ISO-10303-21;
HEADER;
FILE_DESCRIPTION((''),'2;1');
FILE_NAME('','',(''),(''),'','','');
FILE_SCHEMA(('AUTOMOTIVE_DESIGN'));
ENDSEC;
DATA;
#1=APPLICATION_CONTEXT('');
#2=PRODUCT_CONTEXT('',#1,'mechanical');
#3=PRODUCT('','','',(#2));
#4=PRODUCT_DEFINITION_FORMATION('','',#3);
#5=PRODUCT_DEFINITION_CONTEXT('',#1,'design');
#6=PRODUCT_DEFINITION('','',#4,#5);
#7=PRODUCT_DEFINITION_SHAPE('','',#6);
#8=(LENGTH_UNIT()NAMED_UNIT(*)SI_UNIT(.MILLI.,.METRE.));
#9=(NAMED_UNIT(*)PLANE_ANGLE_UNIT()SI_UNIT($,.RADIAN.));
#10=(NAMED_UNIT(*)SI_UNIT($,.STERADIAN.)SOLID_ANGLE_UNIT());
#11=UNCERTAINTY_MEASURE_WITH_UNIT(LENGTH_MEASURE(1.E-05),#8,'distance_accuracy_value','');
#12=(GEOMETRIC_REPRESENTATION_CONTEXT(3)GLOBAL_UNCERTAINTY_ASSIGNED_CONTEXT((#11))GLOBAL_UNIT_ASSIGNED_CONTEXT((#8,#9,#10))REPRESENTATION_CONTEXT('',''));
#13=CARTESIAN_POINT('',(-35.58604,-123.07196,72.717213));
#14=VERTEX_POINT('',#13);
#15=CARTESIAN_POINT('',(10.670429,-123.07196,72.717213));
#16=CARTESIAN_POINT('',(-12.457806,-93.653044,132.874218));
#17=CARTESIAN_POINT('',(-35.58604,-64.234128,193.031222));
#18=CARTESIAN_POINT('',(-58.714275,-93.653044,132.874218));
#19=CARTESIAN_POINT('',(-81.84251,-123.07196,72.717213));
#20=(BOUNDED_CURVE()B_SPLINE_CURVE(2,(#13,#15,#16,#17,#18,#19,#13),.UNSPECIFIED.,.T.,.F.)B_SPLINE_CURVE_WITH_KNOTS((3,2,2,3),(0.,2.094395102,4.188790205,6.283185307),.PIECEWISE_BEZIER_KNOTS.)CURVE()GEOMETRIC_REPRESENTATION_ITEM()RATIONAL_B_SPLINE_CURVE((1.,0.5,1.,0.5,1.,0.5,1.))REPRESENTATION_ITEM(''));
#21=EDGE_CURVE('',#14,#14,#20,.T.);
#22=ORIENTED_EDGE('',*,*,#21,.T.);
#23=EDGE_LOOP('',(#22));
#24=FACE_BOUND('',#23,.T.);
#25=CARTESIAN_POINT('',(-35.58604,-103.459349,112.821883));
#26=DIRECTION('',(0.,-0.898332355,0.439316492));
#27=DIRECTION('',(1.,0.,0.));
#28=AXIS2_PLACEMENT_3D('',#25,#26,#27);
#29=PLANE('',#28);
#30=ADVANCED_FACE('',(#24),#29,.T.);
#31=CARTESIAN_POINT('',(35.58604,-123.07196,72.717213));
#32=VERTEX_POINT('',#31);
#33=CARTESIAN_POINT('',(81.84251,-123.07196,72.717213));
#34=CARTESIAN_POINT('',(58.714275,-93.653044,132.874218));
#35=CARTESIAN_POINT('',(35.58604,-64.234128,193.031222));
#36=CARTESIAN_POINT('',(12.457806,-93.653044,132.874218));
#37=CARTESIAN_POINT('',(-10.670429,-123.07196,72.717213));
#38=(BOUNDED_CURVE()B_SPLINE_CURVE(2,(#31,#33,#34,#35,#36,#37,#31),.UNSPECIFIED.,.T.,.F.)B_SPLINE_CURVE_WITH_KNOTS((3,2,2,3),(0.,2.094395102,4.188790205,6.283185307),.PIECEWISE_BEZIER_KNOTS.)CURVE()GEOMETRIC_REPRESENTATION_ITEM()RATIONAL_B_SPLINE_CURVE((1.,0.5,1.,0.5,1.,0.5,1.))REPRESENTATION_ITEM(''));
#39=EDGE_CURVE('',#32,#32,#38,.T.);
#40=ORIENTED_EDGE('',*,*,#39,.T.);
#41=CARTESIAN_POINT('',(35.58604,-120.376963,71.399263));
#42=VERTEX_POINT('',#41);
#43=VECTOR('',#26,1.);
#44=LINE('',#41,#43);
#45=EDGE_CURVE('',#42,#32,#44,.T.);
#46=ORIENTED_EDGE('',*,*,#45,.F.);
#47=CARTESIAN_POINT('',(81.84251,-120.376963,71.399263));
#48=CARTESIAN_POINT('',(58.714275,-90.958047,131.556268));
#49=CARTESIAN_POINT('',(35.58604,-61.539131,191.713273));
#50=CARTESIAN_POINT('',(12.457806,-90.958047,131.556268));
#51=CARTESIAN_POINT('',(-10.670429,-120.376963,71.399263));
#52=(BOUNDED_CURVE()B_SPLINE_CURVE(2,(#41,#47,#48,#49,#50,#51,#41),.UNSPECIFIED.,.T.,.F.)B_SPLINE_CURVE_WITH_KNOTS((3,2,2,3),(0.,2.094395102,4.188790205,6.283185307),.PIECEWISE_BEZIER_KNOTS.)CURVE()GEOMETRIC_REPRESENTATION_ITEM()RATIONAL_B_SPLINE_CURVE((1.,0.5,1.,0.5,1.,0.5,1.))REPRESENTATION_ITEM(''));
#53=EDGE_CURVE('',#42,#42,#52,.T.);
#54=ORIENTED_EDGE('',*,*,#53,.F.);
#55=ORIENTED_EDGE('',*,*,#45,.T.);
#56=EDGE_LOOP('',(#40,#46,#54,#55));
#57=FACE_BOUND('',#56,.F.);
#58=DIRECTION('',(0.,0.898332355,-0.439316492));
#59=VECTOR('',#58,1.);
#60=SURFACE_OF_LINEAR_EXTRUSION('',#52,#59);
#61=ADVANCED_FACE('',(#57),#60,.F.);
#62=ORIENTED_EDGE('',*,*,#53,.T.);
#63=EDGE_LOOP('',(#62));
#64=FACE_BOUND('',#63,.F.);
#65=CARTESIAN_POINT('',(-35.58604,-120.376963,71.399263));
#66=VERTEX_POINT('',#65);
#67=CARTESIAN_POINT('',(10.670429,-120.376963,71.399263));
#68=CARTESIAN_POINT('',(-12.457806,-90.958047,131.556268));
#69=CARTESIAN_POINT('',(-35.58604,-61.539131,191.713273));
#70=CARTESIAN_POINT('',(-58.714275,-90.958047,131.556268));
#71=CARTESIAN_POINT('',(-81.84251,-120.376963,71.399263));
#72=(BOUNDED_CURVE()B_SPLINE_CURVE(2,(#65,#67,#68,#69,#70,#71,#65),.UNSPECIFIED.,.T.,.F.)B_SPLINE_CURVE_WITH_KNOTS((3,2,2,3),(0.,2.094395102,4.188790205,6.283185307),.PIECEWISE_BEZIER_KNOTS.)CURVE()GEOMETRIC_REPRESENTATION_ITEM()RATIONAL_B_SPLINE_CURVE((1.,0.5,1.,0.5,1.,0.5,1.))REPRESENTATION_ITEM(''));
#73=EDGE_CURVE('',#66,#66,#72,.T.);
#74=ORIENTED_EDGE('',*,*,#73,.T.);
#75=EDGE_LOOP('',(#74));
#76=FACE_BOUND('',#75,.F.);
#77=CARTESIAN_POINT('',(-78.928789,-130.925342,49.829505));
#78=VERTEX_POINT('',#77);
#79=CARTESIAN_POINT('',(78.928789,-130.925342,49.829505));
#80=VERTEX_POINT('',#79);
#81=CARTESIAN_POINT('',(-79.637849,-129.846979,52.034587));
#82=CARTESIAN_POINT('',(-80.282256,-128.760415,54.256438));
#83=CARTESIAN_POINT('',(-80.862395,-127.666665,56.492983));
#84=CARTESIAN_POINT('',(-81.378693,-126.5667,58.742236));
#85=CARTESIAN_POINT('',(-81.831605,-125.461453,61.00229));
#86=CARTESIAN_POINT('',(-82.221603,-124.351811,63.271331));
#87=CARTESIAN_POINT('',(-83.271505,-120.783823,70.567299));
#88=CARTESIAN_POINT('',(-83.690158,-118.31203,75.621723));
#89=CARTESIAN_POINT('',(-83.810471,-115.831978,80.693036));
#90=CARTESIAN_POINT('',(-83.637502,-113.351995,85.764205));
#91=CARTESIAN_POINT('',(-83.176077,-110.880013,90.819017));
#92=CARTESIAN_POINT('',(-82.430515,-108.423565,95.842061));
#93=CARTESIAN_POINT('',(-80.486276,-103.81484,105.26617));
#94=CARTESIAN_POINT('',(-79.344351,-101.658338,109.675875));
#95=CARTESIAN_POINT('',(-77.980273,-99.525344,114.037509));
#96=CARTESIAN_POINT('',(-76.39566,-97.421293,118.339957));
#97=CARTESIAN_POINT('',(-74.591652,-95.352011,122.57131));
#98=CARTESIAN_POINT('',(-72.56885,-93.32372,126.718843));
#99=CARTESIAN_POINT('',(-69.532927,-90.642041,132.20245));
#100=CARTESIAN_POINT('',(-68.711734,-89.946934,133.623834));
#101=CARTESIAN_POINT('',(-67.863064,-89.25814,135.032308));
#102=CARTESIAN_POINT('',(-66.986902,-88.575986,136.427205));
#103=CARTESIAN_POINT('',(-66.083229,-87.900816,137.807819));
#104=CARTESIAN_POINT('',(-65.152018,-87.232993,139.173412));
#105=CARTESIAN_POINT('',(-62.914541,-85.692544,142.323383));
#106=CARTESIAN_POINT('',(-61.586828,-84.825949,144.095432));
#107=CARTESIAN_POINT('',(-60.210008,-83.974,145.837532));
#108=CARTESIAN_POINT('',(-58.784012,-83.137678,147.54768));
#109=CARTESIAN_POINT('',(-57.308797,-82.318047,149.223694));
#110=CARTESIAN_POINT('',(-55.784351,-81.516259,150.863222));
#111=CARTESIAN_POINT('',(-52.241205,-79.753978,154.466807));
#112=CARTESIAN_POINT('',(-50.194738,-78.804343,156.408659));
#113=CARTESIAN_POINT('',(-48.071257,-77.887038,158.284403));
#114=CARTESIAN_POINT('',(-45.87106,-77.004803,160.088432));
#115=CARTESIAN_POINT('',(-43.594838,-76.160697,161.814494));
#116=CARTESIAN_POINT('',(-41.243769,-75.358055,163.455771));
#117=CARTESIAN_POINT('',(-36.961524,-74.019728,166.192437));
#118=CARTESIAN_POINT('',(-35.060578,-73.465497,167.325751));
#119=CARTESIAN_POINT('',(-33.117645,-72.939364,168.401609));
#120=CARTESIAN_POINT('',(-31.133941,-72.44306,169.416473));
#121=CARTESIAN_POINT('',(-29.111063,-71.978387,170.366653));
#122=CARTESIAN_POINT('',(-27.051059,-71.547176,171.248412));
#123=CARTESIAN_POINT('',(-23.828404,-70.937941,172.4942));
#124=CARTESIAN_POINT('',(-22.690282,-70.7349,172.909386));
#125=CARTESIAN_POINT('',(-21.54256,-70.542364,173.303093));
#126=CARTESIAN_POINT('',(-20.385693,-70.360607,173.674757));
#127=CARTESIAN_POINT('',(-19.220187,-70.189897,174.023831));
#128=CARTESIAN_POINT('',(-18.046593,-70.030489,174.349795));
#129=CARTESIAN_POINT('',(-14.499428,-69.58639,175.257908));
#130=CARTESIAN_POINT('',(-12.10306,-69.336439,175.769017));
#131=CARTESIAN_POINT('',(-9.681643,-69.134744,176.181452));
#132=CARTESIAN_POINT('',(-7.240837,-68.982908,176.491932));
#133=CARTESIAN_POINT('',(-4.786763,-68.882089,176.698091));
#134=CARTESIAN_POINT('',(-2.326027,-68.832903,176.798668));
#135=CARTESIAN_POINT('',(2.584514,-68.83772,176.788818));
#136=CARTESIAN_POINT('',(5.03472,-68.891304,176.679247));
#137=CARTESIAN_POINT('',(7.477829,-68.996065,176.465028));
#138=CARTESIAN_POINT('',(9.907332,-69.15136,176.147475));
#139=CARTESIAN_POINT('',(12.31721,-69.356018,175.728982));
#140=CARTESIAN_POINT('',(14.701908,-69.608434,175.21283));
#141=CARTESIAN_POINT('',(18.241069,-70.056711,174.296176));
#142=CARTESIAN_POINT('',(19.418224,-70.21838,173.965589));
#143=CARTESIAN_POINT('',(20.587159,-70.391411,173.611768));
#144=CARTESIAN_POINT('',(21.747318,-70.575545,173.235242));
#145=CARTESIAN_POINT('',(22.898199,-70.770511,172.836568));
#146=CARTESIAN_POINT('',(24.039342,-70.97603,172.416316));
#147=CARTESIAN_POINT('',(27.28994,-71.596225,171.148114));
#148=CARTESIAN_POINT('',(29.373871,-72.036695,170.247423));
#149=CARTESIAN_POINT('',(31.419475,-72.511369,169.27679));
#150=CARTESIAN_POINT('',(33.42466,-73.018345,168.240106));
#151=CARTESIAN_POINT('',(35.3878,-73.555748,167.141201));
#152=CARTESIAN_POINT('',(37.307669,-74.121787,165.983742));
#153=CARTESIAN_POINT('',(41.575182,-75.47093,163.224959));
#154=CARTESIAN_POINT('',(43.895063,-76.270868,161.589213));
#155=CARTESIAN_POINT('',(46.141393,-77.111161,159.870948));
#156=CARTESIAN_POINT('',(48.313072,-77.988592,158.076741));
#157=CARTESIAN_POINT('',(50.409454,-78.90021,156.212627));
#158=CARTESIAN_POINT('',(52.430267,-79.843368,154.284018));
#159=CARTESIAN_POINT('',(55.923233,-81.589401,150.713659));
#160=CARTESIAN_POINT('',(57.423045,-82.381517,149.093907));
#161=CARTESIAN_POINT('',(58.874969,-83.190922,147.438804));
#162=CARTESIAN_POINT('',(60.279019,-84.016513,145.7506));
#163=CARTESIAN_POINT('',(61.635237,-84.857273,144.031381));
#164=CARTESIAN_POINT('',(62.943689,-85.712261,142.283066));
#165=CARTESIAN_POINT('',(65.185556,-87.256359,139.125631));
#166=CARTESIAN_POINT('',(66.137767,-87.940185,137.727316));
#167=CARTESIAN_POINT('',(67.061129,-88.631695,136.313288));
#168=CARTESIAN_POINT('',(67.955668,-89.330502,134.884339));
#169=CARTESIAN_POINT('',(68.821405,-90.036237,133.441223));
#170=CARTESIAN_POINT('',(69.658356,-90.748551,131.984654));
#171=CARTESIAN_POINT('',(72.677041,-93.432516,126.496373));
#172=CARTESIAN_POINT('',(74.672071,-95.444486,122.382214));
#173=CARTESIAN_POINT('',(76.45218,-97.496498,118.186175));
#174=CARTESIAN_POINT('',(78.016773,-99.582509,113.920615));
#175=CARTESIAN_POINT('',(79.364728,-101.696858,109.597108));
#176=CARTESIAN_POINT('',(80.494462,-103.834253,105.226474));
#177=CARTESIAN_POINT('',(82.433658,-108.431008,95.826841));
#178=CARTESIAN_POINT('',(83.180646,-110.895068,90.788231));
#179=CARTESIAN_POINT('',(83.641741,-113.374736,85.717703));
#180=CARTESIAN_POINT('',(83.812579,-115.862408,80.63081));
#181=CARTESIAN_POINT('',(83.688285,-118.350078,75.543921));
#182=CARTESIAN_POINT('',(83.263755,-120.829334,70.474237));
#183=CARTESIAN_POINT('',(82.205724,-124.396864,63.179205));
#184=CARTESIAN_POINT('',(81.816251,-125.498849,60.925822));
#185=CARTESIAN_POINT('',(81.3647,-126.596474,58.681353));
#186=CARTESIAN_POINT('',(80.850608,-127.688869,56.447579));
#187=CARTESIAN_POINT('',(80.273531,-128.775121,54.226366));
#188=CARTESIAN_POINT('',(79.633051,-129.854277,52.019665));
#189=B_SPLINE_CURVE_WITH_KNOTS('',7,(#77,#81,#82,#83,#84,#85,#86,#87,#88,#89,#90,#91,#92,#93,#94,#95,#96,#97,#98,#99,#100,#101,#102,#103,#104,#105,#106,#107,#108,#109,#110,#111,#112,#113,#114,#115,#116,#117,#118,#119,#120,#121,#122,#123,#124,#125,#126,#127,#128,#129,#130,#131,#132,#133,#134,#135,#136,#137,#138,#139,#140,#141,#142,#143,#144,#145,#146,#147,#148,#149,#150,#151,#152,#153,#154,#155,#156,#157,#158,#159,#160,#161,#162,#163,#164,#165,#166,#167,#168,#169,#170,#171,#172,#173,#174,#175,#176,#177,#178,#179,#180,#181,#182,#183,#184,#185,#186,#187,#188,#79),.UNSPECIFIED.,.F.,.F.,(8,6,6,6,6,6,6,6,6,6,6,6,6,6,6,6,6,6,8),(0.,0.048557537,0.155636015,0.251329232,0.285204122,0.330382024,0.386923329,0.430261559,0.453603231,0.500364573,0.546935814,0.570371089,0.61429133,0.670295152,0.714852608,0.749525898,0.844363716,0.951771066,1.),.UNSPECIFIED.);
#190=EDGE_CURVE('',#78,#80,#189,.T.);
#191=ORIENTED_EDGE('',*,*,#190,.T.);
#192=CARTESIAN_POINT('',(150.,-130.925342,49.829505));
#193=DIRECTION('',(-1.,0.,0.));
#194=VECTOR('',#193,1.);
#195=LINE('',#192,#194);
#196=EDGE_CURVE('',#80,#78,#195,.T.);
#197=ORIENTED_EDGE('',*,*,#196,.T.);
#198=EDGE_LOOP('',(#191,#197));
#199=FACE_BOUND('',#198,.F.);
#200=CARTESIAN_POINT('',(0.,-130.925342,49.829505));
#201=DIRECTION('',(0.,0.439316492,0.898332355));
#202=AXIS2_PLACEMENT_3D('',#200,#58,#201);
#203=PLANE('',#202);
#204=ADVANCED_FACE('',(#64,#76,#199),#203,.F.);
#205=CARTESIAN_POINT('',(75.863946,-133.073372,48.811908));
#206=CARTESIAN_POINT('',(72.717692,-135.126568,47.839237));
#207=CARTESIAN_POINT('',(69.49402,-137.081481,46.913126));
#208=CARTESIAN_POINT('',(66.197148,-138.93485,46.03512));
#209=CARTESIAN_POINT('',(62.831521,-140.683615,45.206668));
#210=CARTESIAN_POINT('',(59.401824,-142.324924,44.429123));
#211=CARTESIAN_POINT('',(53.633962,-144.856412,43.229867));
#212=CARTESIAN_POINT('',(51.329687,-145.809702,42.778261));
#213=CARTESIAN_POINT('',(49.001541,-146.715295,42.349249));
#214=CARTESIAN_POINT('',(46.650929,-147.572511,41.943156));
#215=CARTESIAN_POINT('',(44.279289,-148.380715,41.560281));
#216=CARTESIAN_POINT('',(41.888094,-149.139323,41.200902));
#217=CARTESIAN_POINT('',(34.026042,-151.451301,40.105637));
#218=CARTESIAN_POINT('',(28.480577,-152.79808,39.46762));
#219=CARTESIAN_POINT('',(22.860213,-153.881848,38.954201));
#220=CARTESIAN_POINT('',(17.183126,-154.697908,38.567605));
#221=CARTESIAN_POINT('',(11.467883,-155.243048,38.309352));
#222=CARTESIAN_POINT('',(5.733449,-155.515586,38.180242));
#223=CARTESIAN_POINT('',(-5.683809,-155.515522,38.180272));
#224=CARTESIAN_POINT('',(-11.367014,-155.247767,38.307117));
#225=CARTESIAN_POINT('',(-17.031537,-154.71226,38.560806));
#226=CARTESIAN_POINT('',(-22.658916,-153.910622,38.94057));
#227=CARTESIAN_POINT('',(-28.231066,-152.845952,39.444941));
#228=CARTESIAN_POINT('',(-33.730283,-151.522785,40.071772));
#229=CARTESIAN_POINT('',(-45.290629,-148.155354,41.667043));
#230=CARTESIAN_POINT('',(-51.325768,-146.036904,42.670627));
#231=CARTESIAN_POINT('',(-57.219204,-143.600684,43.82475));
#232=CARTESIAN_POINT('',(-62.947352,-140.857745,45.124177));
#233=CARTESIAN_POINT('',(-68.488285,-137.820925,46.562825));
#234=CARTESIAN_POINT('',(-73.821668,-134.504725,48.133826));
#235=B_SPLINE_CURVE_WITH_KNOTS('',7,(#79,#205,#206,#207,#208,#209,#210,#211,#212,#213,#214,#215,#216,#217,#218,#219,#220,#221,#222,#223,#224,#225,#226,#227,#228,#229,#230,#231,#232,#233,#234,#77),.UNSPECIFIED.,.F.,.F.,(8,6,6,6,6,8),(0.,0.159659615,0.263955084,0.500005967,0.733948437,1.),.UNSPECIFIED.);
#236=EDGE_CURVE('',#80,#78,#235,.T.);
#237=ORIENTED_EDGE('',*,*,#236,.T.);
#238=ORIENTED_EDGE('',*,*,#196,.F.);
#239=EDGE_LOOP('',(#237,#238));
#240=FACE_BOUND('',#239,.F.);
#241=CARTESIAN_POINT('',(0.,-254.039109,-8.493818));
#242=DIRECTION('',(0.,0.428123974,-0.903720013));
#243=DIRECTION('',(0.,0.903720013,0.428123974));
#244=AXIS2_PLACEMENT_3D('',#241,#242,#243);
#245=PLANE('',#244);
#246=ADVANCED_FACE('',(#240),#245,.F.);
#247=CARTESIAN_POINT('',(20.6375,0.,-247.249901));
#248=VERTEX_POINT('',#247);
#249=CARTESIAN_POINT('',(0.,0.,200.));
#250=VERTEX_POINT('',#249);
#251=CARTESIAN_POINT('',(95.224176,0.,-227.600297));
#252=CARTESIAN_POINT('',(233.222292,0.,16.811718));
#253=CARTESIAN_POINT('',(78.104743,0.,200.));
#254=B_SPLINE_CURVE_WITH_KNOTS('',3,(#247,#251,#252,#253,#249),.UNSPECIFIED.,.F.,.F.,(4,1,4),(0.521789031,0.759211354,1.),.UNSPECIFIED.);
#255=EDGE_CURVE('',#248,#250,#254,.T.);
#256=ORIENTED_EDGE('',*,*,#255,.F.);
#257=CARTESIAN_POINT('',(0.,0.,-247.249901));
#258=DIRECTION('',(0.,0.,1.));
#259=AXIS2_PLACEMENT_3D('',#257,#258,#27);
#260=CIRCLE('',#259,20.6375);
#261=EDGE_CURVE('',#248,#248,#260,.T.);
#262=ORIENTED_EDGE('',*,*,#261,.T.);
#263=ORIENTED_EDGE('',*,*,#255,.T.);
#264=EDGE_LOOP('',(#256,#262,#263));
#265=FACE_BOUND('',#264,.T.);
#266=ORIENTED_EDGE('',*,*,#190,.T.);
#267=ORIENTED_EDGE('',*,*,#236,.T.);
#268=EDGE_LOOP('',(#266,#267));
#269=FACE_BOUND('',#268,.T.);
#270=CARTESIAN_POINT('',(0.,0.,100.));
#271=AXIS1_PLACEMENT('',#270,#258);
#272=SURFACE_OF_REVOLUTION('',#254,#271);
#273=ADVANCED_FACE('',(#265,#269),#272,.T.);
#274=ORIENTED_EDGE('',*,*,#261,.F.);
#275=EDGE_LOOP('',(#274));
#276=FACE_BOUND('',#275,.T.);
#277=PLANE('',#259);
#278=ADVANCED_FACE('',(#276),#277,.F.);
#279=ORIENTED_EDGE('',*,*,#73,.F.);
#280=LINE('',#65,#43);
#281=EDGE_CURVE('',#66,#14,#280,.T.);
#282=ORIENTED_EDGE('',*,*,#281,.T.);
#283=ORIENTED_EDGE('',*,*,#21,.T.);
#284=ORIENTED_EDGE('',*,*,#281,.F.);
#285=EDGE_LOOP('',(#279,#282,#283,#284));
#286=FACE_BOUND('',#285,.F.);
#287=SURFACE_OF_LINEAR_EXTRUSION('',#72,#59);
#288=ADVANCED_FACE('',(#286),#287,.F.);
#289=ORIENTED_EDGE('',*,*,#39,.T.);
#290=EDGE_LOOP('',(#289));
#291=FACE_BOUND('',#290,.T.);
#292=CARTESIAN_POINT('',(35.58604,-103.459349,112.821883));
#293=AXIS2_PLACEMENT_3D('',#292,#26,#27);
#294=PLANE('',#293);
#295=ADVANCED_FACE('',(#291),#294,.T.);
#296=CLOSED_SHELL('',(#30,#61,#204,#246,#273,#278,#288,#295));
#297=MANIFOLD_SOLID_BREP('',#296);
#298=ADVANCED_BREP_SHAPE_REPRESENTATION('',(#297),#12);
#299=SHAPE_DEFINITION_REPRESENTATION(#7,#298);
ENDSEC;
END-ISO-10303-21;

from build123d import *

# Parameters (mm, degrees)
F3_DEPTH = 150
F5_DEPTH = 3


with BuildPart() as f1:
    # F0 (on Front) → F1 (revolve)
    with BuildSketch(Plane.XZ):
        with BuildLine():
            Line((0, 200), (0, 0))
            Line((0, 0), (0, -247.2499012135))
            Line((0, -247.2499012135), (20.6375, -247.2499012135))
            add(Edge.make_bspline(
                [(20.6375, -247.2499012135), (95.2241764255, -227.6002966187), (233.2222922258, 16.8117179351), (78.1047426194, 200), (0, 200)],
                knots=[0.5217890306, 0.5217890306, 0.5217890306, 0.5217890306, 0.7592113544, 1, 1, 1, 1], degree=3))
        make_face()
    revolve(axis=Axis((0, 0, 100), (0, 0, 1)))

    # F2 (on Right) → F3 (cut, symmetric)
    with BuildSketch(Plane.YZ):
        Polygon((-57.3032423854, 200.3749907017), (-254.0391087532, -8.4938183427), (-130.9253424406, 49.829505384), align=None)
    extrude(amount=F3_DEPTH, both=True, mode=Mode.SUBTRACT)

    # F4 (on face) → F5 (join)
    with BuildSketch(Plane(origin=(0, -125.3222097281, 61.2870206255), x_dir=(1, 0, 0), z_dir=(0, -0.8983323548, 0.4393164921))):
        with BuildLine():
            add(Edge.make_bspline(
                [(-35.586040467, 11.2566831533), (10.6704291749, 11.2566831533), (-12.4578056461, 78.2218819944), (-35.586040467, 145.1870808355), (-58.714275288, 78.2218819944), (-81.842510109, 11.2566831533), (-35.586040467, 11.2566831533)],
                knots=[0, 0, 0, 2.0943951024, 2.0943951024, 4.1887902048, 4.1887902048, 6.2831853072, 6.2831853072, 6.2831853072], degree=2, weights=[1, 0.5, 1, 0.5, 1, 0.5, 1]))
        make_face()
        with BuildLine():
            add(Edge.make_bspline(
                [(35.586040467, 11.2566831533), (81.842510109, 11.2566831533), (58.714275288, 78.2218819944), (35.586040467, 145.1870808355), (12.4578056461, 78.2218819944), (-10.6704291749, 11.2566831533), (35.586040467, 11.2566831533)],
                knots=[0, 0, 0, 2.0943951024, 2.0943951024, 4.1887902048, 4.1887902048, 6.2831853072, 6.2831853072, 6.2831853072], degree=2, weights=[1, 0.5, 1, 0.5, 1, 0.5, 1]))
        make_face()
    extrude(amount=F5_DEPTH)


solid = f1.part
